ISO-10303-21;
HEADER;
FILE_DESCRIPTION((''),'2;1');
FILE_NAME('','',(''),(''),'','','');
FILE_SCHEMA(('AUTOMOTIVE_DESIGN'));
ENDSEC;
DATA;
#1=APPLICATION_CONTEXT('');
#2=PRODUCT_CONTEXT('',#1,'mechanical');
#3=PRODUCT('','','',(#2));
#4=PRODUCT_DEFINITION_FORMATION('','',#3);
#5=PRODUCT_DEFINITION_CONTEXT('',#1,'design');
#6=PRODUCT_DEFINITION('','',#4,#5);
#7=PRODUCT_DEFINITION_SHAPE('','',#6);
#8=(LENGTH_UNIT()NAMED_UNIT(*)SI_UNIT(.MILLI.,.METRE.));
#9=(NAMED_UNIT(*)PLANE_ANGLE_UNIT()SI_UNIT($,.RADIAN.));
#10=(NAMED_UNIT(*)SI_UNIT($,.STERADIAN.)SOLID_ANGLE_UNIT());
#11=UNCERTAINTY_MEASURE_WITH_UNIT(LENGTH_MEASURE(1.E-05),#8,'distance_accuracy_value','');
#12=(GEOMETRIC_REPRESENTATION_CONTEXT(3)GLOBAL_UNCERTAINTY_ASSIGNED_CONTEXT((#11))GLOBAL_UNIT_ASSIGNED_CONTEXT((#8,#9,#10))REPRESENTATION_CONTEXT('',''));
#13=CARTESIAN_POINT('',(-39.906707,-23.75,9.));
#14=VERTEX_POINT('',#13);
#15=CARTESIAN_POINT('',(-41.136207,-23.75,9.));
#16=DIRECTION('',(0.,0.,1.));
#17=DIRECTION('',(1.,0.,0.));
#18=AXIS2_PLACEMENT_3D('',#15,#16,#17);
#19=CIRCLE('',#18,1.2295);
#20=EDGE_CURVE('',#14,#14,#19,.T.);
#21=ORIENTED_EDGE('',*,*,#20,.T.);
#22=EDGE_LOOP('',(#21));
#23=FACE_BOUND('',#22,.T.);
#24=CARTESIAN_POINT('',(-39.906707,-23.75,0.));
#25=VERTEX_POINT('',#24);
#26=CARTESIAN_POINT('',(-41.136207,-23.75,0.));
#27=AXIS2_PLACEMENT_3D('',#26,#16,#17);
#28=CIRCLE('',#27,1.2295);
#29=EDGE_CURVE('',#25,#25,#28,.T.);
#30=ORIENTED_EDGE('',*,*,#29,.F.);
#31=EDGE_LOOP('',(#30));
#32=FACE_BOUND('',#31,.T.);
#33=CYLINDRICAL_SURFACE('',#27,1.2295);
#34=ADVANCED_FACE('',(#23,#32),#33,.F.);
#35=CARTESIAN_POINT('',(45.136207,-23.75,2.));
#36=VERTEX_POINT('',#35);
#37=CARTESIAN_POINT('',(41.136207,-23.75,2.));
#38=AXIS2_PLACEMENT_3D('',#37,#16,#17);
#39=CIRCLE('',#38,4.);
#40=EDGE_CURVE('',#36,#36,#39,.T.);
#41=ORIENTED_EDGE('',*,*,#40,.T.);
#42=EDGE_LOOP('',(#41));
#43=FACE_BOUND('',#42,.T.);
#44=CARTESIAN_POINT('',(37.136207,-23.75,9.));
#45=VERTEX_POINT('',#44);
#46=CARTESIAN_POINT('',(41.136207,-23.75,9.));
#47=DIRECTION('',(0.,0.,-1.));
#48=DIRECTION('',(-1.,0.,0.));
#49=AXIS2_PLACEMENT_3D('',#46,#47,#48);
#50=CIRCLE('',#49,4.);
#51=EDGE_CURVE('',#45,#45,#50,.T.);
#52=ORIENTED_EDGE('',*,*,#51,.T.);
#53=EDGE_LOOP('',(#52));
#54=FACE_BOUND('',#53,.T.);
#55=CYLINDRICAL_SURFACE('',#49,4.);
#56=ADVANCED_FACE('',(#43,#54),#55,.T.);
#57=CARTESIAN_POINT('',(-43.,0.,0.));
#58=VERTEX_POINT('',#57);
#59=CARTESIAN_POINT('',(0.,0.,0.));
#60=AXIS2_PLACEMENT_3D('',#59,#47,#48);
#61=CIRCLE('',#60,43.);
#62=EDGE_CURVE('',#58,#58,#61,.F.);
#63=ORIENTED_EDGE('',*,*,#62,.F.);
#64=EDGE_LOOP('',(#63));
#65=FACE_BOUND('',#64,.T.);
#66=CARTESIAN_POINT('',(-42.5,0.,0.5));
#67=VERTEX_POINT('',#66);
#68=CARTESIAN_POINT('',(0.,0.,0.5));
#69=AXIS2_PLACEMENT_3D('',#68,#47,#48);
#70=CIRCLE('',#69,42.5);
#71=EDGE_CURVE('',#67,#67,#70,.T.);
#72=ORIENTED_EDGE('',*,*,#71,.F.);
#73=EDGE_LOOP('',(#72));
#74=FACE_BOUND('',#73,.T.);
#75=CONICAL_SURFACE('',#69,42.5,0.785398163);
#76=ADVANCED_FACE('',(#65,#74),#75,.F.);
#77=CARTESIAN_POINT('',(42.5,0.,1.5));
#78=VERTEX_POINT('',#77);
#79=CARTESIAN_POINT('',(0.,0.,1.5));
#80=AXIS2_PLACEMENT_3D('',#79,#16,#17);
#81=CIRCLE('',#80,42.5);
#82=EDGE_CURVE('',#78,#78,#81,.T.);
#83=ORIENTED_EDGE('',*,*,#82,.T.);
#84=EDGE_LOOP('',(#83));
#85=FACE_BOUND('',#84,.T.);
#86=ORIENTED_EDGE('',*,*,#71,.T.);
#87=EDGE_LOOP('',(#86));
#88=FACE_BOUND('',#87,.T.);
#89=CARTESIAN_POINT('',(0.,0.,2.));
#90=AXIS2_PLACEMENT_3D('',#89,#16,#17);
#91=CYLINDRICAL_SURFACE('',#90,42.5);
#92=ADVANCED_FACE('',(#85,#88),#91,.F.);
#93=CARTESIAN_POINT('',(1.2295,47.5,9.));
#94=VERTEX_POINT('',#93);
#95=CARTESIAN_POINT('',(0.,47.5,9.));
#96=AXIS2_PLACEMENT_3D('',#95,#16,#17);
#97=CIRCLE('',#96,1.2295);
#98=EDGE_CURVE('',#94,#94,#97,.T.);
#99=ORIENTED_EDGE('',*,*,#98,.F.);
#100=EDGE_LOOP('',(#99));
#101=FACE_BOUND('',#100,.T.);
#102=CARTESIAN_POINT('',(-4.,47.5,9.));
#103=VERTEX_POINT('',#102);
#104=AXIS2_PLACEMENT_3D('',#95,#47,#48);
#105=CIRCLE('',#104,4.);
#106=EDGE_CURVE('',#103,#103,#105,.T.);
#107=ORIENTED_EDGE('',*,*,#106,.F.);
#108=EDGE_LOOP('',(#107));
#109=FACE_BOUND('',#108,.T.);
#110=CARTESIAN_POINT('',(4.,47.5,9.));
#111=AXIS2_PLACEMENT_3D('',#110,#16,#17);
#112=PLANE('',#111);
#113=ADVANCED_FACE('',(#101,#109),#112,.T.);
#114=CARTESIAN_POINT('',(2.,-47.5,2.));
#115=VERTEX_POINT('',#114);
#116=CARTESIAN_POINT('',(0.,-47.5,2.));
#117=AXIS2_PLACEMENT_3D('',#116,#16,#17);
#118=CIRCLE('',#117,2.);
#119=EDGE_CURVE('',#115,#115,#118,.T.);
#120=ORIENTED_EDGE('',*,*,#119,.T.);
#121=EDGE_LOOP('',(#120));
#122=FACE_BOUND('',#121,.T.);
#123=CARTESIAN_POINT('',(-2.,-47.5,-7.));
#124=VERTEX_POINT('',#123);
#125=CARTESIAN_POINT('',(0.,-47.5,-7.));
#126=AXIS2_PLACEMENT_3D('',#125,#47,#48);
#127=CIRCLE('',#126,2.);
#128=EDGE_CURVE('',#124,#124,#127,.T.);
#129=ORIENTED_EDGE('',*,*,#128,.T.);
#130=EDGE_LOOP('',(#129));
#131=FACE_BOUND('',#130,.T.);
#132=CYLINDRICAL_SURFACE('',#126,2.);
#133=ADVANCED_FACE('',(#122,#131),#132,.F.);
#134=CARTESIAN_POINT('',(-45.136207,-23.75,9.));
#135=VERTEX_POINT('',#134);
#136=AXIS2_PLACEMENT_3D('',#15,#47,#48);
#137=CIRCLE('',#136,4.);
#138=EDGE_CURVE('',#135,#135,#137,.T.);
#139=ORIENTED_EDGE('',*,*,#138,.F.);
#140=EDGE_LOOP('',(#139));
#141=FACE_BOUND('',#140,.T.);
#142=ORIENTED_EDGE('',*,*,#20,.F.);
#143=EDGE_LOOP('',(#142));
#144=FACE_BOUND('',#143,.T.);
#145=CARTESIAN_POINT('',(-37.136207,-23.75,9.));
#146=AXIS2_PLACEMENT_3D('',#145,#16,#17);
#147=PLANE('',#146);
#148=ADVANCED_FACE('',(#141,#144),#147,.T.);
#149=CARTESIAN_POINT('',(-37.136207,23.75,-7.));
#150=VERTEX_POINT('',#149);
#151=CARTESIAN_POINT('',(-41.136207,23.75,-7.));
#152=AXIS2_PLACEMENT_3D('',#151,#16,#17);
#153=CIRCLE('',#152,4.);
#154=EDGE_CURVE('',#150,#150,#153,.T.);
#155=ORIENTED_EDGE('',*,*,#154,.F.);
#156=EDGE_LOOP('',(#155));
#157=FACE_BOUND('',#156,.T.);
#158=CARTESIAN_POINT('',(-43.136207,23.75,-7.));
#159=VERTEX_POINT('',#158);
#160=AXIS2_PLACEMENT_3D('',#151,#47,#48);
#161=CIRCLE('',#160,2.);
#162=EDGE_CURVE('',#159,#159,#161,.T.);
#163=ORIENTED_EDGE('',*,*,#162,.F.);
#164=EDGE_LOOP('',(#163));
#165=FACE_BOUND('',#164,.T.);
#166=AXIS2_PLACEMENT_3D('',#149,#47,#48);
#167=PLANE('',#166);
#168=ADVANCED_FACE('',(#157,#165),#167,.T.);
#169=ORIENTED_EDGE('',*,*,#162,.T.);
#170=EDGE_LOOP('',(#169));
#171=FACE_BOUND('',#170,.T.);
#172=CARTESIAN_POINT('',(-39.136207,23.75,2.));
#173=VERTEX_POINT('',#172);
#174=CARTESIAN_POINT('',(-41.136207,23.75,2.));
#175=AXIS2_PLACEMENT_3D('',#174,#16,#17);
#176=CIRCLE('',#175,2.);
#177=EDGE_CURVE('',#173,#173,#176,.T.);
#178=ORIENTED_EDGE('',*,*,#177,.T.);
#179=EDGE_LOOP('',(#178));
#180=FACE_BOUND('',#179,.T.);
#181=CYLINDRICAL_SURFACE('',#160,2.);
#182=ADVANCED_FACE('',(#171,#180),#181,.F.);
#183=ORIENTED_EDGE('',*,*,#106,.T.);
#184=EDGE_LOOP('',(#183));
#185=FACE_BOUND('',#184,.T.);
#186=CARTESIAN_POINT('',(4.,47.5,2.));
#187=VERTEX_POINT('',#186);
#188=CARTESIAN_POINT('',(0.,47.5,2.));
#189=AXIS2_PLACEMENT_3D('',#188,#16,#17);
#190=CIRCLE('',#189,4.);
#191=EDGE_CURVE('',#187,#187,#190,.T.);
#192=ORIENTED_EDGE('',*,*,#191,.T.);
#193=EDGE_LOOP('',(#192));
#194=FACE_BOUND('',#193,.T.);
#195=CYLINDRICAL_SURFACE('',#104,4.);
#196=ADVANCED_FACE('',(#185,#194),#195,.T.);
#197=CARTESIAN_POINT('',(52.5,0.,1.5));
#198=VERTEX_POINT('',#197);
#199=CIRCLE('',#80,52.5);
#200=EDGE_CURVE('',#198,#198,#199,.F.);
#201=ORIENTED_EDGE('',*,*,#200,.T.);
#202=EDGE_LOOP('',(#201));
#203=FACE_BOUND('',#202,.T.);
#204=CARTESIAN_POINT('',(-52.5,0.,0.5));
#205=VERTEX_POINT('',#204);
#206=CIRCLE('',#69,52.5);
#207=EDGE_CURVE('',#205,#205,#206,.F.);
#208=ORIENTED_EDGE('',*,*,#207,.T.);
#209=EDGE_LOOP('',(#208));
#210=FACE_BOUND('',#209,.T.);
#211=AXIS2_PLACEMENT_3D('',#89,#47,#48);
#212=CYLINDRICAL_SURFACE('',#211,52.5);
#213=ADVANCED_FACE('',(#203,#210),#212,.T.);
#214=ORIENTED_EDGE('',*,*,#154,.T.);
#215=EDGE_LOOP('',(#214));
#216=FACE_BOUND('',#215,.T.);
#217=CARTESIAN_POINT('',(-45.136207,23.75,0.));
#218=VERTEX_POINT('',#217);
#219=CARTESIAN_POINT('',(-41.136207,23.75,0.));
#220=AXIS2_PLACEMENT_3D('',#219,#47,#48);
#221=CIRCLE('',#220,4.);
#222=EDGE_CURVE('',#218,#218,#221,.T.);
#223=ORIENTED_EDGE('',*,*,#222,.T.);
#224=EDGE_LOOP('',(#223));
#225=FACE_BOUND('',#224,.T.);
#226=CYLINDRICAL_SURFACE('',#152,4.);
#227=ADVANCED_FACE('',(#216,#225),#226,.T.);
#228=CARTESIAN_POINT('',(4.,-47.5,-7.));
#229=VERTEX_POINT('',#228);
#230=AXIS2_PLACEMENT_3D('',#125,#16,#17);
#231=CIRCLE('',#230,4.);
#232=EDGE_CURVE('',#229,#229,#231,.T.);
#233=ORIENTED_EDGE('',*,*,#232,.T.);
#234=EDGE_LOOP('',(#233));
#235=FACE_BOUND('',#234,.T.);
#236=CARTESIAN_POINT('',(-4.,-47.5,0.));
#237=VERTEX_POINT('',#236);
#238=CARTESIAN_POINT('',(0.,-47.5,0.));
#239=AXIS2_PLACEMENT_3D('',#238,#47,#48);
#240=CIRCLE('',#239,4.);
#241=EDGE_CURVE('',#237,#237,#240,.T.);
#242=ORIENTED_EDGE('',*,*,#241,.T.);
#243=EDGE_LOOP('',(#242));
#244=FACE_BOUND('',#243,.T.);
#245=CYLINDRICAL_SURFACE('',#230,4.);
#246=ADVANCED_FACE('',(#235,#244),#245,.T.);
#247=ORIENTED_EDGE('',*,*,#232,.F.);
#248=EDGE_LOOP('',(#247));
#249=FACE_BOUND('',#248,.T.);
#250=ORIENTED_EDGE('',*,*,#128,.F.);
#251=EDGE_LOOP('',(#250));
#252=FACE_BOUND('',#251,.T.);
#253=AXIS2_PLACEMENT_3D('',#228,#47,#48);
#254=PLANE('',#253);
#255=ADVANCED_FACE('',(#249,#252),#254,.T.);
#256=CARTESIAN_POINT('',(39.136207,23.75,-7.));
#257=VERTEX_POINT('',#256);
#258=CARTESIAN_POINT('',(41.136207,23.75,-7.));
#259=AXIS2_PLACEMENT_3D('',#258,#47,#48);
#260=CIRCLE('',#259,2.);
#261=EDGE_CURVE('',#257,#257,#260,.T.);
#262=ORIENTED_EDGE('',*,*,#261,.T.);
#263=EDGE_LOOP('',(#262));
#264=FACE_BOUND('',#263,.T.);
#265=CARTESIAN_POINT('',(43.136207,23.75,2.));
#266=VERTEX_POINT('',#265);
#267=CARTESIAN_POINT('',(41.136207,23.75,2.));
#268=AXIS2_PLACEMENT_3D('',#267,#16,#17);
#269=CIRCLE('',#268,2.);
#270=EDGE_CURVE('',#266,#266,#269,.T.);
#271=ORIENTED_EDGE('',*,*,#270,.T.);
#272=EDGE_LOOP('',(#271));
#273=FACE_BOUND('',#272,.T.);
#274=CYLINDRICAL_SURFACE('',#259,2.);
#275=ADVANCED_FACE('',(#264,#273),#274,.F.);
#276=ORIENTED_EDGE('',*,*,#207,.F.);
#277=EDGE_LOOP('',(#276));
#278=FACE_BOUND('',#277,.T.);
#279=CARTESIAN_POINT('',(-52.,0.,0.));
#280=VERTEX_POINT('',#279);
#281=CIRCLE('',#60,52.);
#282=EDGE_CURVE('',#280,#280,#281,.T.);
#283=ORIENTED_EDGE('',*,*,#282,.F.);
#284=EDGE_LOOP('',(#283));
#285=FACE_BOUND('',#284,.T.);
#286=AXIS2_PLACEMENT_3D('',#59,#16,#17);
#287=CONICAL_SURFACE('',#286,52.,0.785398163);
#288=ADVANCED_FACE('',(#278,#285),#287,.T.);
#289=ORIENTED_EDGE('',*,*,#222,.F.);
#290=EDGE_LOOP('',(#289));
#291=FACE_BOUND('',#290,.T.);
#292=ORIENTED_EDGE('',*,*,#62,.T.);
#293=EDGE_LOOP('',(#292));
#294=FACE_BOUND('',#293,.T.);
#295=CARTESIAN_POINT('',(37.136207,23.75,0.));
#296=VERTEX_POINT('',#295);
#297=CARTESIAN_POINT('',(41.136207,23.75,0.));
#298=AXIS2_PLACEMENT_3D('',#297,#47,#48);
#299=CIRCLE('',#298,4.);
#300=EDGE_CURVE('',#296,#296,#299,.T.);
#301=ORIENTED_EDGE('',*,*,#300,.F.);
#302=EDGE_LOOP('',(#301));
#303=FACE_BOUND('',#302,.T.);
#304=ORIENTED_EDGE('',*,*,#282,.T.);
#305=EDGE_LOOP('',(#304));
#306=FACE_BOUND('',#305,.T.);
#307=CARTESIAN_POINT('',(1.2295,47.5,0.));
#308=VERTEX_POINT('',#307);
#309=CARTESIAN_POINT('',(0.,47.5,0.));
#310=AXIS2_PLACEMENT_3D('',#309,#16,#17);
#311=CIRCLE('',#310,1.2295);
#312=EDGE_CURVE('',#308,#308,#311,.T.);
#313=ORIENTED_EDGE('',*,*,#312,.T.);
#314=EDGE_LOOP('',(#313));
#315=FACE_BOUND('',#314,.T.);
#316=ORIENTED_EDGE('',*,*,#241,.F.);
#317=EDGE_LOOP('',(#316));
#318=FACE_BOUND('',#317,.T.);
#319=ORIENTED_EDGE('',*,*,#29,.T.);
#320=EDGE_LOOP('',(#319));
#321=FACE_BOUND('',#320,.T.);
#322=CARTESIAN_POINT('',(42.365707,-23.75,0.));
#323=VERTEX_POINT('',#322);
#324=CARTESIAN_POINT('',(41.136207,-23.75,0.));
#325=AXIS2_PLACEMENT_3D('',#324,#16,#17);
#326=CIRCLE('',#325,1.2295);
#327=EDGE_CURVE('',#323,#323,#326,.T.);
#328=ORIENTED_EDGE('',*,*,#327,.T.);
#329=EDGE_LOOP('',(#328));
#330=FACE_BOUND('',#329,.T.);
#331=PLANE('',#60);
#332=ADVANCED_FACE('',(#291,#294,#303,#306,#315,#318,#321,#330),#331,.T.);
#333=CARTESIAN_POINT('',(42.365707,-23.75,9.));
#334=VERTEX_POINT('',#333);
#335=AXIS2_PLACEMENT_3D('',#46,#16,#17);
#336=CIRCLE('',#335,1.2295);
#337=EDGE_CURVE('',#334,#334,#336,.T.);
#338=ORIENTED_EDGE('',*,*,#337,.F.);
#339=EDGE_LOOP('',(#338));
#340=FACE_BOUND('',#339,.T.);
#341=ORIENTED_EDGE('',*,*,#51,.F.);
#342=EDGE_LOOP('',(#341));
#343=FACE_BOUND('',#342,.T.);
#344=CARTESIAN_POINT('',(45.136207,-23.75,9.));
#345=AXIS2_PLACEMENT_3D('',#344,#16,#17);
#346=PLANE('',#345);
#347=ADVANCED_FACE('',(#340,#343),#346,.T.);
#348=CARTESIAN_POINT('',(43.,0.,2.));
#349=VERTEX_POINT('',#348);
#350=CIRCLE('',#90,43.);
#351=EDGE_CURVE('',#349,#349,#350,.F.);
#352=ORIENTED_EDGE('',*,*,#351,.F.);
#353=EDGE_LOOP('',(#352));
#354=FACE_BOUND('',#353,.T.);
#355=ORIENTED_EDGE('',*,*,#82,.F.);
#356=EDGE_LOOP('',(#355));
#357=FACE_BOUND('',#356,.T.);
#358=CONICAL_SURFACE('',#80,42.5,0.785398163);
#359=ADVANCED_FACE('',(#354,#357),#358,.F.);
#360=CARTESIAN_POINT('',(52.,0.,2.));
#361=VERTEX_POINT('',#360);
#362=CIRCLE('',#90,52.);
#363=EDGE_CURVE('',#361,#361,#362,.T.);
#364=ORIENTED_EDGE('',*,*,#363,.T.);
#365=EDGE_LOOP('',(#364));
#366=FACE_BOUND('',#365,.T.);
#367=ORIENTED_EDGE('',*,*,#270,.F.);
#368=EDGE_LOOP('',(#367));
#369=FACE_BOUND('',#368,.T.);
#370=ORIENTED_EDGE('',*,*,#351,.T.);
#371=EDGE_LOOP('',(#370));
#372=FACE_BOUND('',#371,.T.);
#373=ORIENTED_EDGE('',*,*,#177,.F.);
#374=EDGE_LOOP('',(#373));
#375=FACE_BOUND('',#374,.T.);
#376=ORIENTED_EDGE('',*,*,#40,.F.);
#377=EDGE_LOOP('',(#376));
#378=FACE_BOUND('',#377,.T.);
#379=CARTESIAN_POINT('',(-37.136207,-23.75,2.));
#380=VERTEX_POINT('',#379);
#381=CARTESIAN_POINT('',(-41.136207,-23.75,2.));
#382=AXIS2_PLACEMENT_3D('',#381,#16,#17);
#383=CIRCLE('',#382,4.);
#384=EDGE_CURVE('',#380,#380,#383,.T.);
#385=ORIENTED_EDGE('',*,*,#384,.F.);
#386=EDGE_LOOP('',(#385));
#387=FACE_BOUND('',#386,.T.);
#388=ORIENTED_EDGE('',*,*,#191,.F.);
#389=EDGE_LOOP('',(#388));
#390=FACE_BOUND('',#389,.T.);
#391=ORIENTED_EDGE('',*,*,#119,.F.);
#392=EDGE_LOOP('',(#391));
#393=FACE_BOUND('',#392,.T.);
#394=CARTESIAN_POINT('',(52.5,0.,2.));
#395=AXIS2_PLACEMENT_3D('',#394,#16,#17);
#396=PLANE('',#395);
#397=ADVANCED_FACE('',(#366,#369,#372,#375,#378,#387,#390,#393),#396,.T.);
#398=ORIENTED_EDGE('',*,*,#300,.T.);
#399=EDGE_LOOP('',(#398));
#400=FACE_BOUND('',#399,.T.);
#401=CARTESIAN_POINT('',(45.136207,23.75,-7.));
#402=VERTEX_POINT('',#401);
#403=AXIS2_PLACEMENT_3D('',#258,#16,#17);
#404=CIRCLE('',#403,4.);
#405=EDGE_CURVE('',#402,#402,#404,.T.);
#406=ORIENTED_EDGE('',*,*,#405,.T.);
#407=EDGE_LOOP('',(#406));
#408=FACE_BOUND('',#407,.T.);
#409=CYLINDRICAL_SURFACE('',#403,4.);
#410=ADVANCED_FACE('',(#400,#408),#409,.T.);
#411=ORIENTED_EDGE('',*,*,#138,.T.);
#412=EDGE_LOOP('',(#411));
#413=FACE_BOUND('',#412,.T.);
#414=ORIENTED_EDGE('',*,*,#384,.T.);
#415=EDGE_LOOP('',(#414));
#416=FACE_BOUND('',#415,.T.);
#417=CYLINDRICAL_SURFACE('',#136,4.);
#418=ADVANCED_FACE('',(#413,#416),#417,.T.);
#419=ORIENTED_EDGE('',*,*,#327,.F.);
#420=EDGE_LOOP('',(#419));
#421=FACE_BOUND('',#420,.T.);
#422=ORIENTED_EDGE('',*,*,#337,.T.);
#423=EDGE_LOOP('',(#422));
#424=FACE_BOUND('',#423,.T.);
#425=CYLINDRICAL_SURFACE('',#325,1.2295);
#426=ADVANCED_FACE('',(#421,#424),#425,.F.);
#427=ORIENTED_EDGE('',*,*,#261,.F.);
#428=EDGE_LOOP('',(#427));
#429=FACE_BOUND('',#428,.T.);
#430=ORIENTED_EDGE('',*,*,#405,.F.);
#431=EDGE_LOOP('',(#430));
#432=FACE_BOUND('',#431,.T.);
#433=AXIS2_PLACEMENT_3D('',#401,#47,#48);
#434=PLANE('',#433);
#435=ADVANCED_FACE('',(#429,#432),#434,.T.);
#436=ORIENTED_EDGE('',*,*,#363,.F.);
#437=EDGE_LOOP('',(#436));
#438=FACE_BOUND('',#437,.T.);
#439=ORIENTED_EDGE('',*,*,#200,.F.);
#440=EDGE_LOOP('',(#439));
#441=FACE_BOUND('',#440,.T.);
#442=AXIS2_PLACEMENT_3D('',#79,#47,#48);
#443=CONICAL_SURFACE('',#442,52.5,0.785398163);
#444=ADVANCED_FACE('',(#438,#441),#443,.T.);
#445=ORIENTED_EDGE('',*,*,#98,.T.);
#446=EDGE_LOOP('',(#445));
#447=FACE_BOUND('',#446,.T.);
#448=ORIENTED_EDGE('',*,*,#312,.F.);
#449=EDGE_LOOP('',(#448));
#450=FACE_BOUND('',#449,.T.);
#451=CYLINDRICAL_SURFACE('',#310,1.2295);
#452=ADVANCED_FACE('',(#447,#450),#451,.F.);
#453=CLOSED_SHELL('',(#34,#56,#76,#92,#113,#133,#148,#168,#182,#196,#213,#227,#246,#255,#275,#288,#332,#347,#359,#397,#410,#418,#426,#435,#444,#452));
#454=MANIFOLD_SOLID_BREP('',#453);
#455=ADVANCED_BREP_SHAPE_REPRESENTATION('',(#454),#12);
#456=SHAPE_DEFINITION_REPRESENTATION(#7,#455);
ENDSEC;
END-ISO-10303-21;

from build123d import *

# Parameters (mm, degrees)
SKETCH1_W                 = 52.5
SKETCH1_H                 = 2
SKETCH2_W                 = 4
SKETCH2_H                 = 7
SKETCH3_W                 = 4
SKETCH3_H                 = 7
SKETCH4_W                 = 4
SKETCH4_H                 = 7
SKETCH5_W                 = 4
SKETCH5_H                 = 7
SKETCH6_W                 = 4
SKETCH6_H                 = 7
SKETCH7_W                 = 4
SKETCH7_H                 = 7
F_4_0_4_DIAMETER_HOLE1_D  = 4
M80_CLEARANCE_HOLE1_D     = 85
M80_CLEARANCE_HOLE1_DEPTH = 9
CHAMFER1_SIZE             = 0.5


with BuildPart() as part:
    # Sketch1 → Revolve1 (revolve)
    with BuildSketch(Plane.XZ, mode=Mode.PRIVATE) as revolve1_sk:
        with Locations((26.25, 1)):
            Rectangle(SKETCH1_W, SKETCH1_H)
    revolve(revolve1_sk.sketch.rotate(Axis((0, 0, 2), (0, 0, -1)), 180), axis=Axis((0, 0, 2), (0, 0, -1)))

    # Sketch2 → Revolve2 (revolve)
    with BuildSketch(Plane.XZ.offset(23.75), mode=Mode.PRIVATE) as revolve2_sk:
        with Locations((43.13620668, 5.5)):
            Rectangle(SKETCH2_W, SKETCH2_H)
    revolve(revolve2_sk.sketch.rotate(Axis((41.13620668, -23.75, 9), (0, 0, -1)), 180), axis=Axis((41.13620668, -23.75, 9), (0, 0, -1)))

    # Sketch3 → Revolve3 (revolve)
    with BuildSketch(Plane.XZ.offset(23.75), mode=Mode.PRIVATE) as revolve3_sk:
        with Locations((-39.13620668, 5.5)):
            Rectangle(SKETCH3_W, SKETCH3_H)
    revolve(revolve3_sk.sketch.rotate(Axis((-41.13620668, -23.75, 9), (0, 0, -1)), 180), axis=Axis((-41.13620668, -23.75, 9), (0, 0, -1)))

    # Sketch4 → Revolve4 (revolve)
    with BuildSketch(Plane.XZ.offset(-47.5), mode=Mode.PRIVATE) as revolve4_sk:
        with Locations((2, 5.5)):
            Rectangle(SKETCH4_W, SKETCH4_H)
    revolve(revolve4_sk.sketch.rotate(Axis((0, 47.5, 9), (0, 0, -1)), 180), axis=Axis((0, 47.5, 9), (0, 0, -1)))

    # Sketch5 → Revolve5 (revolve)
    with BuildSketch(Plane(origin=(0, 23.75, 0), x_dir=(1, 0, 0), z_dir=(0, 1, 0))):
        with Locations((43.13620668, 3.5)):
            Rectangle(SKETCH5_W, SKETCH5_H)
    revolve(axis=Axis((41.13620668, 23.75, -7), (0, 0, 1)))

    # Sketch6 → Revolve6 (revolve)
    with BuildSketch(Plane(origin=(0, 23.75, 0), x_dir=(1, 0, 0), z_dir=(0, 1, 0))):
        with Locations((-39.13620668, 3.5)):
            Rectangle(SKETCH6_W, SKETCH6_H)
    revolve(axis=Axis((-41.13620668, 23.75, -7), (0, 0, 1)))

    # Sketch7 → Revolve7 (revolve)
    with BuildSketch(Plane(origin=(0, -47.5, 0), x_dir=(1, 0, 0), z_dir=(0, 1, 0))):
        with Locations((2, 3.5)):
            Rectangle(SKETCH7_W, SKETCH7_H)
    revolve(axis=Axis((0, -47.5, -7), (0, 0, 1)))

    # Sketch8 → Cut-Revolve1 (revolve, cut)
    with BuildSketch(Plane(origin=(0, 47.5, 0), x_dir=(1, 0, 0), z_dir=(0, 1, 0))):
        Polygon((1.2295, 0), (0, 0), (0, -9), (1.2295, -9), (1.2295, -7), align=None)
    revolve(axis=Axis((0, 47.5, 0), (0, 0, 1)), mode=Mode.SUBTRACT)

    # Sketch9 → Cut-Revolve2 (revolve, cut)
    with BuildSketch(Plane(origin=(0, -23.75, 0), x_dir=(1, 0, 0), z_dir=(0, 1, 0))):
        Polygon((-39.90670668, 0), (-41.13620668, 0), (-41.13620668, -9), (-39.90670668, -9), (-39.90670668, -7), align=None)
    revolve(axis=Axis((-41.13620668, -23.75, 0), (0, 0, 1)), mode=Mode.SUBTRACT)

    # Sketch10 → Cut-Revolve3 (revolve, cut)
    with BuildSketch(Plane(origin=(0, -23.75, 0), x_dir=(1, 0, 0), z_dir=(0, 1, 0))):
        Polygon((42.36570668, 0), (41.13620668, 0), (41.13620668, -9), (42.36570668, -9), (42.36570668, -7), align=None)
    revolve(axis=Axis((41.13620668, -23.75, 0), (0, 0, 1)), mode=Mode.SUBTRACT)

    # Ø4.0 (4) Diameter Hole1 (through all)
    with Locations(Plane(origin=(0, 0, -7), x_dir=(-1, 0, 0), z_dir=(0, 0, -1))):
        with Locations((-41.13620668, 23.75), (0, -47.5), (41.13620668, 23.75)):
            Hole(F_4_0_4_DIAMETER_HOLE1_D / 2)

    # M80 Clearance Hole1
    with Locations(Plane.XY.offset(2)):
        with Locations((0, 0)):
            Hole(M80_CLEARANCE_HOLE1_D / 2, depth=M80_CLEARANCE_HOLE1_DEPTH)

    # Chamfer1
    chamfer1_edges = [part.edges().sort_by_distance(p)[0] for p in [
        (52.5, 0, 0),
        (52.5, 0, 2),
        (42.5, 0, 0),
        (42.5, 0, 2),
    ]]
    chamfer(chamfer1_edges, length=CHAMFER1_SIZE)


solid = part.part
